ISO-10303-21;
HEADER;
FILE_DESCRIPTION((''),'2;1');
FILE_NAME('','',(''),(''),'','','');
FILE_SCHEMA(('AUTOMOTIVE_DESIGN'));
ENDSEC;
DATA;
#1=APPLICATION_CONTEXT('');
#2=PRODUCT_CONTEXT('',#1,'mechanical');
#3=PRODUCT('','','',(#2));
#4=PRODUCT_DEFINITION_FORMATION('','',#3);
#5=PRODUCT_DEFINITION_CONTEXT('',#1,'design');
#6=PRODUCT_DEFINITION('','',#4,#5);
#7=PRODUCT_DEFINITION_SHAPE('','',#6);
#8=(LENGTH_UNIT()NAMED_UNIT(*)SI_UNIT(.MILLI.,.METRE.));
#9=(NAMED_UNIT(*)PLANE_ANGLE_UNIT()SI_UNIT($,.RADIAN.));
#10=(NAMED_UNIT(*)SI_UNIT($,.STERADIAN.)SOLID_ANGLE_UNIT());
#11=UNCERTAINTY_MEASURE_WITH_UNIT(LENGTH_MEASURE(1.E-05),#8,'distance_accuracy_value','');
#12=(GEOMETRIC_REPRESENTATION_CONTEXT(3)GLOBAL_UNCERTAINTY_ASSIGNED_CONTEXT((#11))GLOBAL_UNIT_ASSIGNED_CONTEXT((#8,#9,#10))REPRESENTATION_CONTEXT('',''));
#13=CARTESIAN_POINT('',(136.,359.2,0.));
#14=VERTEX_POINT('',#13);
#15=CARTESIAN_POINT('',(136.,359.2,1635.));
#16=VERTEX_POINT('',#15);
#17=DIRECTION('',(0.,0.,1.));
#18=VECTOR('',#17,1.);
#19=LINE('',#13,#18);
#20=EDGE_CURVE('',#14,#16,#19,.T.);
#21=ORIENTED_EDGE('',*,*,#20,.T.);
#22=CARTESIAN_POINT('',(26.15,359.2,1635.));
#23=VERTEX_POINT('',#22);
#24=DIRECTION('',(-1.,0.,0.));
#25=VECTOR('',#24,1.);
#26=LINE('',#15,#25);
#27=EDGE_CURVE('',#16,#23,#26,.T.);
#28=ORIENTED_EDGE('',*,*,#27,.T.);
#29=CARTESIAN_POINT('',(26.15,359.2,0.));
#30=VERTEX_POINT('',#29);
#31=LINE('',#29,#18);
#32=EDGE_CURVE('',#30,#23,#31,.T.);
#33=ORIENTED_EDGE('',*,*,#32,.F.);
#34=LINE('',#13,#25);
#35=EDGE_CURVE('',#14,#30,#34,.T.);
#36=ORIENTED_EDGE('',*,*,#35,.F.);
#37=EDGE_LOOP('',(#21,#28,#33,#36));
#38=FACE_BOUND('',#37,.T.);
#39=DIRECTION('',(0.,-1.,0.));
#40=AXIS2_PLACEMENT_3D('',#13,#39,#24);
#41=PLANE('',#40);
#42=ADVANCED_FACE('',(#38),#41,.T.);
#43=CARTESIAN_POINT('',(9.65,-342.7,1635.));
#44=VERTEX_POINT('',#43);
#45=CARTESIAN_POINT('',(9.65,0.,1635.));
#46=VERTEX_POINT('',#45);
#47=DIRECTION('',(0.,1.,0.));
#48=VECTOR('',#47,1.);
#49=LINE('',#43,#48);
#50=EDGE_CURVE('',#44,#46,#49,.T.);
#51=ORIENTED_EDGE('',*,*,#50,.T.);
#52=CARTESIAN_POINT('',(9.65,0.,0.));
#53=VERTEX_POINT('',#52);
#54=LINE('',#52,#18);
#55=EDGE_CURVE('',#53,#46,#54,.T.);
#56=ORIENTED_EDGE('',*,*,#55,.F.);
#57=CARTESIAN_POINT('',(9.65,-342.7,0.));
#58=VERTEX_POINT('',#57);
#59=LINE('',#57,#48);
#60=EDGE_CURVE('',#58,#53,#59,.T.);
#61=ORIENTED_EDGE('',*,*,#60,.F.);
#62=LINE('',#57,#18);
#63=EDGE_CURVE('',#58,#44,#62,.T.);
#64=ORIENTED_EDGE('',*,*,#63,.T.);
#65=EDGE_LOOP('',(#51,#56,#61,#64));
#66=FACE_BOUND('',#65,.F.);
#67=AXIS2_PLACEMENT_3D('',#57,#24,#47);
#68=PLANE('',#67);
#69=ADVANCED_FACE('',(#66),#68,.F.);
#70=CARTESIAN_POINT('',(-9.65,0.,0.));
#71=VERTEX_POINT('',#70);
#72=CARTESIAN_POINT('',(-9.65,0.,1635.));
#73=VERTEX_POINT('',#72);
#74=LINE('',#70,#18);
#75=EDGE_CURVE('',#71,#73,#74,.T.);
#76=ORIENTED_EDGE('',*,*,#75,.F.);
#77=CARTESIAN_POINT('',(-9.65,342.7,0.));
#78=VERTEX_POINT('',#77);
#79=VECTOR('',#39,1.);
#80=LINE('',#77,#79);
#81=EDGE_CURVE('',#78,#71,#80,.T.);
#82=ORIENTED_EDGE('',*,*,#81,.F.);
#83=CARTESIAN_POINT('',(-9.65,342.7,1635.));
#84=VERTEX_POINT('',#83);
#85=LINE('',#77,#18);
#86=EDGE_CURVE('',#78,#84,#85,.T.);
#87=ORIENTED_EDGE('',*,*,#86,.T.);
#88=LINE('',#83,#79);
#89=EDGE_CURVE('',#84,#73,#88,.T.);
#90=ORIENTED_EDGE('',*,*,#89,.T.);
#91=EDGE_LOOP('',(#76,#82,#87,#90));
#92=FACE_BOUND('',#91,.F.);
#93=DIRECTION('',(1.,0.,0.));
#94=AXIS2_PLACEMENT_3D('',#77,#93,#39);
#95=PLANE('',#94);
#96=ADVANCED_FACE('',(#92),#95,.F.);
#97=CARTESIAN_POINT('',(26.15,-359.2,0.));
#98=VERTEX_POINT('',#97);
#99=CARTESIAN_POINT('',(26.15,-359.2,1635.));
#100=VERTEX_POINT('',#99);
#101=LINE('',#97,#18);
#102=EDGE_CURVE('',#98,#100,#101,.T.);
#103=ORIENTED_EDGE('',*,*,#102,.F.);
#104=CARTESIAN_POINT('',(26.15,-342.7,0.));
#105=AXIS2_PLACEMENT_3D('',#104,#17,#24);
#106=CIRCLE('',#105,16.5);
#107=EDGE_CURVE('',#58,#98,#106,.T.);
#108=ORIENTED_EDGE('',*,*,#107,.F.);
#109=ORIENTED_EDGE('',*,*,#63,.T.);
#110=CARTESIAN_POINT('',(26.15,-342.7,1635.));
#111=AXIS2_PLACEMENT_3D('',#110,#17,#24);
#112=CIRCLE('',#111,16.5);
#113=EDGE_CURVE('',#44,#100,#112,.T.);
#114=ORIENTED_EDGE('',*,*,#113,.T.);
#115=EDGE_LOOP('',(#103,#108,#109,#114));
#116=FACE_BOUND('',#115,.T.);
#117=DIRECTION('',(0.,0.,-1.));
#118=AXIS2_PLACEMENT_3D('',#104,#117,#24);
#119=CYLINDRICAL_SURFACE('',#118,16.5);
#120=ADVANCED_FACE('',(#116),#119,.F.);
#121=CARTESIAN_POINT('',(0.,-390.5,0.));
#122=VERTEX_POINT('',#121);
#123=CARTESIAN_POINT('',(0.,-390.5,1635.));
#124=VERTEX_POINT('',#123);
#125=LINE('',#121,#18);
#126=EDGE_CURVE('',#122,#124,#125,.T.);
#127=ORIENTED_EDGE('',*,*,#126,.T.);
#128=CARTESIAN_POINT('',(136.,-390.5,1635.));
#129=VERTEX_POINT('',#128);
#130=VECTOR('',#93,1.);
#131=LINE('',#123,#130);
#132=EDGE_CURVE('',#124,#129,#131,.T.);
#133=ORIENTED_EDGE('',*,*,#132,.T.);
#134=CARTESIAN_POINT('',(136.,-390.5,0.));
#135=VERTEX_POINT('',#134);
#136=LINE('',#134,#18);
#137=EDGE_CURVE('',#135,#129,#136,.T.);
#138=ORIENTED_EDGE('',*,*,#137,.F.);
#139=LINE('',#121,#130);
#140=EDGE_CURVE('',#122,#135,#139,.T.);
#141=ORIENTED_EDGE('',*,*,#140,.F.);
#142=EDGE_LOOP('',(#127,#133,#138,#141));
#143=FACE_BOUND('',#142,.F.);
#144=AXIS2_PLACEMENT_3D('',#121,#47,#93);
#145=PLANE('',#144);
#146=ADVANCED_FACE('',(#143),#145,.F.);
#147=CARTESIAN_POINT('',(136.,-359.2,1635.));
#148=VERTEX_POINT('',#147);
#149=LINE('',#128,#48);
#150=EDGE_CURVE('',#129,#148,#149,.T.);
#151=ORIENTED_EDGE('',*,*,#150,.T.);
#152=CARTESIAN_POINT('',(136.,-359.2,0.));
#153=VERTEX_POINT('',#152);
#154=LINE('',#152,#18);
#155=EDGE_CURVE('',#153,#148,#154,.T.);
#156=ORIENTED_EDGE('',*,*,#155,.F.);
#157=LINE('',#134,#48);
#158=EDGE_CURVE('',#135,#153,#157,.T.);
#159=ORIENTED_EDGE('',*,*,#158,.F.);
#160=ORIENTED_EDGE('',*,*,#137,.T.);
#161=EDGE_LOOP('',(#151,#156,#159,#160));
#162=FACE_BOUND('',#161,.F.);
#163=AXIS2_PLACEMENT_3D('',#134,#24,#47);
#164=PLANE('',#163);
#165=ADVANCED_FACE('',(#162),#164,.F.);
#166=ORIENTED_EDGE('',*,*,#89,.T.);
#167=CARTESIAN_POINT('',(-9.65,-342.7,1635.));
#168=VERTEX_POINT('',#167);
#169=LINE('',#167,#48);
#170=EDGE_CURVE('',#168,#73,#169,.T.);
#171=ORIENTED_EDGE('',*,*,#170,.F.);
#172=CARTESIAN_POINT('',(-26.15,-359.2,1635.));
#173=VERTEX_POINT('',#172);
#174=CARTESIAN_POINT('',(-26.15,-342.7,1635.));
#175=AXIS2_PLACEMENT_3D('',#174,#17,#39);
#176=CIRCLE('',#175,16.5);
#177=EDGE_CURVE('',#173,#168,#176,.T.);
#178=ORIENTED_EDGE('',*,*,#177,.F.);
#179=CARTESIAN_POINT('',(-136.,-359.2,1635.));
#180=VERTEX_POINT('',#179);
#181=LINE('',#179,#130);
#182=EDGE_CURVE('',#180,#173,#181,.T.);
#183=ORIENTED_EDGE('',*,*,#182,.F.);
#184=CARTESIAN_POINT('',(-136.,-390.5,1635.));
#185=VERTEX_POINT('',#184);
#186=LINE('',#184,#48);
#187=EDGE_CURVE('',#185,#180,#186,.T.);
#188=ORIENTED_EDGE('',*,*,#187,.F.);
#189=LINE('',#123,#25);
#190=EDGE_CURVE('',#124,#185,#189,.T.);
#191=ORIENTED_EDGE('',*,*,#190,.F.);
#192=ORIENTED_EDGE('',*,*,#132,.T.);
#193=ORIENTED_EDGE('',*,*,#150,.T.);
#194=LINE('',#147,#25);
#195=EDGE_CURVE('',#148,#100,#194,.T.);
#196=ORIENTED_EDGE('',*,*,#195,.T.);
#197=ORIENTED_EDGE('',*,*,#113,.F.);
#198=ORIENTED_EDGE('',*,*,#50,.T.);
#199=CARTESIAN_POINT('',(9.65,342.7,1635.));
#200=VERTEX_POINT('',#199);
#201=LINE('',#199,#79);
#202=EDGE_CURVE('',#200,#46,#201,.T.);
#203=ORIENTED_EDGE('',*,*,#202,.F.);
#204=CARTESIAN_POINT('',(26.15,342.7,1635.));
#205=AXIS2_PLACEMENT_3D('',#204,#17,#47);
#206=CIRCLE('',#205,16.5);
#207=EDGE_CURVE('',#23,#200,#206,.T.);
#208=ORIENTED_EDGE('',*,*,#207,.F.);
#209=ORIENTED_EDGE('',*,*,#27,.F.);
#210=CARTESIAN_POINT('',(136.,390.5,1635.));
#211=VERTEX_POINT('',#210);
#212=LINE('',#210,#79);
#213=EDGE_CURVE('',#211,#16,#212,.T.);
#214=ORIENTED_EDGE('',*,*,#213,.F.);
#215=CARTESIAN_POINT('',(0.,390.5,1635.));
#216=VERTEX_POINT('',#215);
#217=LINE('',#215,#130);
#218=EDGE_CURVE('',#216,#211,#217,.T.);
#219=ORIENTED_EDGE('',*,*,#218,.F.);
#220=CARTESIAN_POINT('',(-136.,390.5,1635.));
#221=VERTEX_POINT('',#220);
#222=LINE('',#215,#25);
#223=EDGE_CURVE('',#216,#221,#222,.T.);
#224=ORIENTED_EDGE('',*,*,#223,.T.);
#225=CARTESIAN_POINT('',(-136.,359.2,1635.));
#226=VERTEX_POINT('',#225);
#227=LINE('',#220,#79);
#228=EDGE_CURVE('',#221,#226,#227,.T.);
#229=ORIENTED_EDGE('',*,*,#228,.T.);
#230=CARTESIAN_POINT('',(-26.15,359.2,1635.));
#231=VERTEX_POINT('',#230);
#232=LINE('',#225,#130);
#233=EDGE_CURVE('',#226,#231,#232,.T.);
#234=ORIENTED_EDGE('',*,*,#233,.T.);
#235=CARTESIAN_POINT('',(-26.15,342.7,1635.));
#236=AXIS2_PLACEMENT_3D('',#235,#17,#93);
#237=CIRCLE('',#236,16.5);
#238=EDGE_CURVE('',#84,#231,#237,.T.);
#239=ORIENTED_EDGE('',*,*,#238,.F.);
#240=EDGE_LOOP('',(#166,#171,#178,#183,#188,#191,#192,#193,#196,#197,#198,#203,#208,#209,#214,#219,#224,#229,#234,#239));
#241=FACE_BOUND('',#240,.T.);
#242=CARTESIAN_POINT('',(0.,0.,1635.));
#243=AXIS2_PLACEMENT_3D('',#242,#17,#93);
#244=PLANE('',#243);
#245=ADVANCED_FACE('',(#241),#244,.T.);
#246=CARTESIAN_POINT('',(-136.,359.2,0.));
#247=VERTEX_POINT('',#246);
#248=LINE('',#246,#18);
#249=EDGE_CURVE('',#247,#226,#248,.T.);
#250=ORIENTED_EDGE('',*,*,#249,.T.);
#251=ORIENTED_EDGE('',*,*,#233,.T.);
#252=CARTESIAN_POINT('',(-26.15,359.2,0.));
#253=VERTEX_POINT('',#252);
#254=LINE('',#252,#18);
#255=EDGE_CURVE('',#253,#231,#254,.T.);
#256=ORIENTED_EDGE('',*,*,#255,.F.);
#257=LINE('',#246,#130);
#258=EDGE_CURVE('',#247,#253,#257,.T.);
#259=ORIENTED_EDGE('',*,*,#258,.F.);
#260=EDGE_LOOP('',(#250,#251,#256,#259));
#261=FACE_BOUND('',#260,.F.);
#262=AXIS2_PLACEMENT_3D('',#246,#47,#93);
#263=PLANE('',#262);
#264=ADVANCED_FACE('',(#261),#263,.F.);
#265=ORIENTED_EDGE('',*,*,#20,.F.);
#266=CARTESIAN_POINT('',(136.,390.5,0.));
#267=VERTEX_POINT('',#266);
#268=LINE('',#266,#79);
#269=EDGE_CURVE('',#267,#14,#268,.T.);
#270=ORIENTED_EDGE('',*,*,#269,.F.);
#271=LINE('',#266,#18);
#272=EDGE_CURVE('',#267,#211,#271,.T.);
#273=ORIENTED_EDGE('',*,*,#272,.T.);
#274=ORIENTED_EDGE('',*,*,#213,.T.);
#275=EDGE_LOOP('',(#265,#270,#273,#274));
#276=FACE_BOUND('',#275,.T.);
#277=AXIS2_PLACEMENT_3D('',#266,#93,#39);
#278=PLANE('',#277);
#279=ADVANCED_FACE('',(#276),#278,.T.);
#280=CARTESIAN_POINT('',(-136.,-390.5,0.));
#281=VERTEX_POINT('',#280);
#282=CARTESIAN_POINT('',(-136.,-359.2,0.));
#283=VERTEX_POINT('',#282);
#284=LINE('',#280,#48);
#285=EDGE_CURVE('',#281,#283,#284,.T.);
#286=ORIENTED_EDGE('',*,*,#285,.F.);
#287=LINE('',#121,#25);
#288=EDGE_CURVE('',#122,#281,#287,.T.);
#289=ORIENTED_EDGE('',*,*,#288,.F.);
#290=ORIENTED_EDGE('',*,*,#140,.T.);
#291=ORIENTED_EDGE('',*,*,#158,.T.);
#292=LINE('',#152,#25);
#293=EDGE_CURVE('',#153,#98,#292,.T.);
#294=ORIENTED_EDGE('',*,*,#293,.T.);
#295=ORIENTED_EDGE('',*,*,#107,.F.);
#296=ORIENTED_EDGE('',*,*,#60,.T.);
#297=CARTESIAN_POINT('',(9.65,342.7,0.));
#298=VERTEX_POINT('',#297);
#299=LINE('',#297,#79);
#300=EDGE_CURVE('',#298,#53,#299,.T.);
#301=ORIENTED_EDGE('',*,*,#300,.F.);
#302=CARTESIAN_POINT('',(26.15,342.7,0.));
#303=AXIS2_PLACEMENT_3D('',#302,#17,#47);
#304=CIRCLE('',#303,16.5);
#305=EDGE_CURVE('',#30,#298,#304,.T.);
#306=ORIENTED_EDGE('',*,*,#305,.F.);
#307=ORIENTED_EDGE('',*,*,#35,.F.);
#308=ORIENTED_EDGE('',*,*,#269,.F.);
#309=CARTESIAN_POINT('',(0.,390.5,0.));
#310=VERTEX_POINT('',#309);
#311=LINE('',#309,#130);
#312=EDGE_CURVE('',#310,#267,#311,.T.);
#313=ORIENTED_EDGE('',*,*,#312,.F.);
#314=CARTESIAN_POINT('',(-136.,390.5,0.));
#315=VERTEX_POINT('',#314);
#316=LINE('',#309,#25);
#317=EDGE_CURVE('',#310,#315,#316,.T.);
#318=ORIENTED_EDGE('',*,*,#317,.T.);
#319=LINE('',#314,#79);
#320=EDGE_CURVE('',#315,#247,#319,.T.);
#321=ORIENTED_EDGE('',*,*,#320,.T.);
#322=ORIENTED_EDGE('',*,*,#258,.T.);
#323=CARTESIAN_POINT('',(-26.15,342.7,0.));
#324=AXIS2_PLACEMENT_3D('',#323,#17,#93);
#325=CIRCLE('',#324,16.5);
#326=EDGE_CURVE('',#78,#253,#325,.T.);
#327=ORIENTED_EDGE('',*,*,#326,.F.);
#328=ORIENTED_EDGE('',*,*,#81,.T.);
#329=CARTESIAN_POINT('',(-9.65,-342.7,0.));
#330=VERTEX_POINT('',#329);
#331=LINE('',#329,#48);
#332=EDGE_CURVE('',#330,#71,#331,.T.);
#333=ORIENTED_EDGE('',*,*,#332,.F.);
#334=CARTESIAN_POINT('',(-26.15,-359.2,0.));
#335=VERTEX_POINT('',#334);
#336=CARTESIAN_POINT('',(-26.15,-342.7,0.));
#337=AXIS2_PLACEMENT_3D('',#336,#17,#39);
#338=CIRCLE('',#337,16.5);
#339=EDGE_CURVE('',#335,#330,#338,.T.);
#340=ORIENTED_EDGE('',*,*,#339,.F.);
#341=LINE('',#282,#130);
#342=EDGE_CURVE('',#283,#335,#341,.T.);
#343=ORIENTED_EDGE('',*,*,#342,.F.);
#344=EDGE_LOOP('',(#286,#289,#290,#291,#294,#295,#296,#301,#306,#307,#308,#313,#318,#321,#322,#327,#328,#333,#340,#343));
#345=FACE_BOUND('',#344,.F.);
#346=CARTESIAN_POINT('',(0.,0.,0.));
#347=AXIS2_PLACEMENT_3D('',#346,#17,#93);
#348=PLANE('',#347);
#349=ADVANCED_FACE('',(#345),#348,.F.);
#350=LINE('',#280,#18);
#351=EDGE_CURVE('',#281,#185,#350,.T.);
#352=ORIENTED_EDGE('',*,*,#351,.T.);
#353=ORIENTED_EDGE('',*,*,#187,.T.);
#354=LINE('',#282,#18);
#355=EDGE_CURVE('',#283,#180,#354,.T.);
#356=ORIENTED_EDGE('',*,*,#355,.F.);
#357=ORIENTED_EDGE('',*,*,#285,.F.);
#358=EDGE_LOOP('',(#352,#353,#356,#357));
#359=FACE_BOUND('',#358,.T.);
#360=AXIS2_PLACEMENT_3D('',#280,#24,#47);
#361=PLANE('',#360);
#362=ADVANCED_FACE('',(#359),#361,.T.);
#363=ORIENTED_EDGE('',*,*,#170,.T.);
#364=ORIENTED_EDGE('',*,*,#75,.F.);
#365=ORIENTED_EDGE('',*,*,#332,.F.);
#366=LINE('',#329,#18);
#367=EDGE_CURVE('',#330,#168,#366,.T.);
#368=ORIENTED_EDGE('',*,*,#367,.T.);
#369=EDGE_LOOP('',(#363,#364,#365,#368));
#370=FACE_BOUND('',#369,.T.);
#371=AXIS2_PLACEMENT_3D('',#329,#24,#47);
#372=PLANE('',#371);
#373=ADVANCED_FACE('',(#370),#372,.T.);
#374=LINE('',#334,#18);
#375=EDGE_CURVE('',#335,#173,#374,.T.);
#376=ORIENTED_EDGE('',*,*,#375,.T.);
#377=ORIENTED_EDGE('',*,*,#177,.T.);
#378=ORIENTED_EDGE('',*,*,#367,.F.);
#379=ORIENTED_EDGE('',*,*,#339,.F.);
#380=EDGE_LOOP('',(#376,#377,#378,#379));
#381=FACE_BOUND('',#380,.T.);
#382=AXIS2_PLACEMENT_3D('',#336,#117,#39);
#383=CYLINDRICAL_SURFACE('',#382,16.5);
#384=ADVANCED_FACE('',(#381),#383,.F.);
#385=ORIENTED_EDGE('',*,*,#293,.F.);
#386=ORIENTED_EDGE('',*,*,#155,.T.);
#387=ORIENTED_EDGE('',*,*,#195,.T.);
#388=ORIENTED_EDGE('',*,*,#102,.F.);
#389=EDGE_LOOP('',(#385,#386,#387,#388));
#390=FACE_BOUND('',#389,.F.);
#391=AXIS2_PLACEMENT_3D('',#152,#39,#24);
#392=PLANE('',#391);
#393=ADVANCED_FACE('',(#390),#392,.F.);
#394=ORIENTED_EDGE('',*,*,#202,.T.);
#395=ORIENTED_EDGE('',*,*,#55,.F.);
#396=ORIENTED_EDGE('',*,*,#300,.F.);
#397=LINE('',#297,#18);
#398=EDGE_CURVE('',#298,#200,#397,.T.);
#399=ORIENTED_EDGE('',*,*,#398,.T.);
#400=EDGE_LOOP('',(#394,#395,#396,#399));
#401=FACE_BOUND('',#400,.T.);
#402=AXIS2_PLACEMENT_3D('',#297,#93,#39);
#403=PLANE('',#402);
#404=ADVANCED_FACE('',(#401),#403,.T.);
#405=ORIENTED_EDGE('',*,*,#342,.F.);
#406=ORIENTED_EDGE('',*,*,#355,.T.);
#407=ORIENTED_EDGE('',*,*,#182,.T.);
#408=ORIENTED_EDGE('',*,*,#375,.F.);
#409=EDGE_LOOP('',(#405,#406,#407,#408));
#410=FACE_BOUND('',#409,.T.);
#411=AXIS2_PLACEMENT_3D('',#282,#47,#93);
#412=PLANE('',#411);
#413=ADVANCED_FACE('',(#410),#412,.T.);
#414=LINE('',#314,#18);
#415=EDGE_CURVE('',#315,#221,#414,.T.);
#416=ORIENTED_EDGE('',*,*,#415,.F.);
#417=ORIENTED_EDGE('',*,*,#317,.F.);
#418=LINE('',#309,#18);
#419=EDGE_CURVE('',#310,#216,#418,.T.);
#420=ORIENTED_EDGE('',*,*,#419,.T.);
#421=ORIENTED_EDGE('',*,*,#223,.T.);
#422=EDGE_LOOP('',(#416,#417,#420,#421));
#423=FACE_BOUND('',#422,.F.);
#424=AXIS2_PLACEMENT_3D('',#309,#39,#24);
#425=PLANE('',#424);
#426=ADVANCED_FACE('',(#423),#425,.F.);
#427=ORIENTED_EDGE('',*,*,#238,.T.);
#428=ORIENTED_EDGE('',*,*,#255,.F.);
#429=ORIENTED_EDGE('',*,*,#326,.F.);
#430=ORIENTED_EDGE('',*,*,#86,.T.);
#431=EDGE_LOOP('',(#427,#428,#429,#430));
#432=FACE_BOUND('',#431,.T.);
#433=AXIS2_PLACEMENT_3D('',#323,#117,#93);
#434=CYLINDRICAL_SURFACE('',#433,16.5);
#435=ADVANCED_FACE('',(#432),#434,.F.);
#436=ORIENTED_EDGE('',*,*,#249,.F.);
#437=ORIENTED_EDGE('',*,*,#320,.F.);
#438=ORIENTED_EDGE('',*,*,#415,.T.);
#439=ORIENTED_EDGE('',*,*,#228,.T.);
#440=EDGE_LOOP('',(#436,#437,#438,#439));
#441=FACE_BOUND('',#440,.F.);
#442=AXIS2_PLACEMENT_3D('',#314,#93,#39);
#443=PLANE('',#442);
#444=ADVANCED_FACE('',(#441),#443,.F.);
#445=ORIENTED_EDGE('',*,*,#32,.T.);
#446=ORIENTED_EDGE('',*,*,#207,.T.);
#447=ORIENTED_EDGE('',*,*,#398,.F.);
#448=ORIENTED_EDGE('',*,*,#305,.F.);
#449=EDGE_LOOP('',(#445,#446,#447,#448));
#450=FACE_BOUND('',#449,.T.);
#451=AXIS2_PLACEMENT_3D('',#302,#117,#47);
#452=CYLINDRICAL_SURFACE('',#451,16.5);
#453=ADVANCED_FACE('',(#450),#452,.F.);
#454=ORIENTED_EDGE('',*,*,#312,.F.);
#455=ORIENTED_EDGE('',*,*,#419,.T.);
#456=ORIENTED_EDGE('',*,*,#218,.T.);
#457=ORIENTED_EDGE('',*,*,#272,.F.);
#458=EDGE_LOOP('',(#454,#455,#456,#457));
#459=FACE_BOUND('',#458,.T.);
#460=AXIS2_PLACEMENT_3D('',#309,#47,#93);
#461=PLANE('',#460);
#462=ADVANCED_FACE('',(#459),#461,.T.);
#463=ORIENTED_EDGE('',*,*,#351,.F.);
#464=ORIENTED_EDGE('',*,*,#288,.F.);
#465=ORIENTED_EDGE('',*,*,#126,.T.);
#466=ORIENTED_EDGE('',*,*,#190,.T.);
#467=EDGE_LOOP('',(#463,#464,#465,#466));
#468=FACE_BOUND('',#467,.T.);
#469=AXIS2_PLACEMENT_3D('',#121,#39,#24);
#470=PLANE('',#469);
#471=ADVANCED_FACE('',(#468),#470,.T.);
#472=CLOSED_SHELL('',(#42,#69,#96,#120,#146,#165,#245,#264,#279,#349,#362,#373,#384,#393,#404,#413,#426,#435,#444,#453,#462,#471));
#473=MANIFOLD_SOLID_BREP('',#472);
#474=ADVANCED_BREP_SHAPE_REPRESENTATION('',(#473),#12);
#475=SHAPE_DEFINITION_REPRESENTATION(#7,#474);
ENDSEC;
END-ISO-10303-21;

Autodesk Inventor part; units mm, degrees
ref_plane "YZ Plane" through (0, 0, 0) normal (1, 0, 0) x (0, 1, 0)
ref_plane "Start plane" through (0, 0, 0) normal (0, 0, 1) x (1, 0, 0)
ref_plane "End plane" through (0, 0, 1635) normal (0, 0, 1) x (1, 0, 0)
sketch "Sketch" plane through (0, 0, 0) normal (0, 0, 1) x (1, 0, 0)
  line L0 (-136, -390.5) -> (-136, -359.2)
  line L1 (-136, -359.2) -> (-26.15, -359.2)
  line L2 (-9.65, -342.7) -> (-9.65, 0)
  line L3 (-9.65, 0) -> (0, 0) construction
  line L4 (0, 0) -> (0, -390.5) construction
  line L5 (0, -390.5) -> (-136, -390.5)
  line L6 (-60, 0) -> (80, 0) construction
  line L7 (0, -60) -> (0, 80) construction
  line L8 (136, -390.5) -> (136, -359.2)
  line L9 (136, -359.2) -> (26.15, -359.2)
  line L10 (9.65, -342.7) -> (9.65, 0)
  line L11 (9.65, 0) -> (0, 0) construction
  line L12 (0, -390.5) -> (136, -390.5)
  line L13 (-136, 390.5) -> (-136, 359.2)
  line L14 (-136, 359.2) -> (-26.15, 359.2)
  line L15 (-9.65, 342.7) -> (-9.65, 0)
  line L16 (0, 390.5) -> (-136, 390.5)
  line L17 (136, 390.5) -> (136, 359.2)
  line L18 (136, 359.2) -> (26.15, 359.2)
  line L19 (0, 390.5) -> (136, 390.5)
  line L20 (9.65, 342.7) -> (9.65, 0)
  arc A0 (-9.65, 342.7) -> (-26.15, 359.2) centre (-26.15, 342.7) ccw
  arc A1 (26.15, 359.2) -> (9.65, 342.7) centre (26.15, 342.7) ccw
  arc A2 (9.65, -342.7) -> (26.15, -359.2) centre (26.15, -342.7) ccw
  arc A3 (-26.15, -359.2) -> (-9.65, -342.7) centre (-26.15, -342.7) ccw
  line L21 (0, 108) -> (0, -88) construction
  line L22 (-88, 0) -> (108, 0) construction
  point P0 (-9.65, -359.2)
  point P1 (9.65, -359.2)
  point P2 (-9.65, 359.2)
  point P3 (9.65, 359.2)
  dimension "d1" = 390.5
  dimension "d2" = 31.3
  dimension "d3" = 136
  dimension "d4" = 9.65
  dimension "d10" = 16.5
extrude "Body" add sketch "Sketch" along normal up to surface (1635 mm away) from surface at 0
sketch "Sketch4" plane through (0, 0, 0) normal (0, 0, 1) x (1, 0, 0)
  line L0 (0, 0) -> (10, 0)
ref_plane "Work Plane3" through (0, 0, 0) normal (0, -1, 0) x (1, 0, 0)
sketch "Sketch5" plane through (0, 0, 0) normal (0, -1, 0) x (1, 0, 0)
  line L0 (-2, 0) -> (12, 0) projected
  line L1 (-2, 1635) -> (12, 1635) projected
  dimension "d14" = 1635
equation "\"d1\" = 0.5 * G_H"
equation "\"d2\" = G_T1"
equation "\"d3\" = 0.5 * G_W"
equation "\"d4\" = 0.5 * G_T"
equation "\"d10\" = G_IR"
equation "\"d5\" = G_L"
equation "\"G_W\" = 272"
equation "\"G_H\" = 781"
equation "\"G_T\" = 19.3"
equation "\"G_T1\" = 31.3"
equation "\"G_IR\" = 16.5"
equation "\"G_L\" = d14"
equation "\"G_OFFSET_START\" = 0"
equation "\"G_OFFSET_END\" = 0"
equation "\"d12\" = G_OFFSET_END + B_L"
equation "\"B_L\" = 1635"
properties part number "AS 3679-1990 - 760 UB - 244 - 1635" material "Steel, Mild"
